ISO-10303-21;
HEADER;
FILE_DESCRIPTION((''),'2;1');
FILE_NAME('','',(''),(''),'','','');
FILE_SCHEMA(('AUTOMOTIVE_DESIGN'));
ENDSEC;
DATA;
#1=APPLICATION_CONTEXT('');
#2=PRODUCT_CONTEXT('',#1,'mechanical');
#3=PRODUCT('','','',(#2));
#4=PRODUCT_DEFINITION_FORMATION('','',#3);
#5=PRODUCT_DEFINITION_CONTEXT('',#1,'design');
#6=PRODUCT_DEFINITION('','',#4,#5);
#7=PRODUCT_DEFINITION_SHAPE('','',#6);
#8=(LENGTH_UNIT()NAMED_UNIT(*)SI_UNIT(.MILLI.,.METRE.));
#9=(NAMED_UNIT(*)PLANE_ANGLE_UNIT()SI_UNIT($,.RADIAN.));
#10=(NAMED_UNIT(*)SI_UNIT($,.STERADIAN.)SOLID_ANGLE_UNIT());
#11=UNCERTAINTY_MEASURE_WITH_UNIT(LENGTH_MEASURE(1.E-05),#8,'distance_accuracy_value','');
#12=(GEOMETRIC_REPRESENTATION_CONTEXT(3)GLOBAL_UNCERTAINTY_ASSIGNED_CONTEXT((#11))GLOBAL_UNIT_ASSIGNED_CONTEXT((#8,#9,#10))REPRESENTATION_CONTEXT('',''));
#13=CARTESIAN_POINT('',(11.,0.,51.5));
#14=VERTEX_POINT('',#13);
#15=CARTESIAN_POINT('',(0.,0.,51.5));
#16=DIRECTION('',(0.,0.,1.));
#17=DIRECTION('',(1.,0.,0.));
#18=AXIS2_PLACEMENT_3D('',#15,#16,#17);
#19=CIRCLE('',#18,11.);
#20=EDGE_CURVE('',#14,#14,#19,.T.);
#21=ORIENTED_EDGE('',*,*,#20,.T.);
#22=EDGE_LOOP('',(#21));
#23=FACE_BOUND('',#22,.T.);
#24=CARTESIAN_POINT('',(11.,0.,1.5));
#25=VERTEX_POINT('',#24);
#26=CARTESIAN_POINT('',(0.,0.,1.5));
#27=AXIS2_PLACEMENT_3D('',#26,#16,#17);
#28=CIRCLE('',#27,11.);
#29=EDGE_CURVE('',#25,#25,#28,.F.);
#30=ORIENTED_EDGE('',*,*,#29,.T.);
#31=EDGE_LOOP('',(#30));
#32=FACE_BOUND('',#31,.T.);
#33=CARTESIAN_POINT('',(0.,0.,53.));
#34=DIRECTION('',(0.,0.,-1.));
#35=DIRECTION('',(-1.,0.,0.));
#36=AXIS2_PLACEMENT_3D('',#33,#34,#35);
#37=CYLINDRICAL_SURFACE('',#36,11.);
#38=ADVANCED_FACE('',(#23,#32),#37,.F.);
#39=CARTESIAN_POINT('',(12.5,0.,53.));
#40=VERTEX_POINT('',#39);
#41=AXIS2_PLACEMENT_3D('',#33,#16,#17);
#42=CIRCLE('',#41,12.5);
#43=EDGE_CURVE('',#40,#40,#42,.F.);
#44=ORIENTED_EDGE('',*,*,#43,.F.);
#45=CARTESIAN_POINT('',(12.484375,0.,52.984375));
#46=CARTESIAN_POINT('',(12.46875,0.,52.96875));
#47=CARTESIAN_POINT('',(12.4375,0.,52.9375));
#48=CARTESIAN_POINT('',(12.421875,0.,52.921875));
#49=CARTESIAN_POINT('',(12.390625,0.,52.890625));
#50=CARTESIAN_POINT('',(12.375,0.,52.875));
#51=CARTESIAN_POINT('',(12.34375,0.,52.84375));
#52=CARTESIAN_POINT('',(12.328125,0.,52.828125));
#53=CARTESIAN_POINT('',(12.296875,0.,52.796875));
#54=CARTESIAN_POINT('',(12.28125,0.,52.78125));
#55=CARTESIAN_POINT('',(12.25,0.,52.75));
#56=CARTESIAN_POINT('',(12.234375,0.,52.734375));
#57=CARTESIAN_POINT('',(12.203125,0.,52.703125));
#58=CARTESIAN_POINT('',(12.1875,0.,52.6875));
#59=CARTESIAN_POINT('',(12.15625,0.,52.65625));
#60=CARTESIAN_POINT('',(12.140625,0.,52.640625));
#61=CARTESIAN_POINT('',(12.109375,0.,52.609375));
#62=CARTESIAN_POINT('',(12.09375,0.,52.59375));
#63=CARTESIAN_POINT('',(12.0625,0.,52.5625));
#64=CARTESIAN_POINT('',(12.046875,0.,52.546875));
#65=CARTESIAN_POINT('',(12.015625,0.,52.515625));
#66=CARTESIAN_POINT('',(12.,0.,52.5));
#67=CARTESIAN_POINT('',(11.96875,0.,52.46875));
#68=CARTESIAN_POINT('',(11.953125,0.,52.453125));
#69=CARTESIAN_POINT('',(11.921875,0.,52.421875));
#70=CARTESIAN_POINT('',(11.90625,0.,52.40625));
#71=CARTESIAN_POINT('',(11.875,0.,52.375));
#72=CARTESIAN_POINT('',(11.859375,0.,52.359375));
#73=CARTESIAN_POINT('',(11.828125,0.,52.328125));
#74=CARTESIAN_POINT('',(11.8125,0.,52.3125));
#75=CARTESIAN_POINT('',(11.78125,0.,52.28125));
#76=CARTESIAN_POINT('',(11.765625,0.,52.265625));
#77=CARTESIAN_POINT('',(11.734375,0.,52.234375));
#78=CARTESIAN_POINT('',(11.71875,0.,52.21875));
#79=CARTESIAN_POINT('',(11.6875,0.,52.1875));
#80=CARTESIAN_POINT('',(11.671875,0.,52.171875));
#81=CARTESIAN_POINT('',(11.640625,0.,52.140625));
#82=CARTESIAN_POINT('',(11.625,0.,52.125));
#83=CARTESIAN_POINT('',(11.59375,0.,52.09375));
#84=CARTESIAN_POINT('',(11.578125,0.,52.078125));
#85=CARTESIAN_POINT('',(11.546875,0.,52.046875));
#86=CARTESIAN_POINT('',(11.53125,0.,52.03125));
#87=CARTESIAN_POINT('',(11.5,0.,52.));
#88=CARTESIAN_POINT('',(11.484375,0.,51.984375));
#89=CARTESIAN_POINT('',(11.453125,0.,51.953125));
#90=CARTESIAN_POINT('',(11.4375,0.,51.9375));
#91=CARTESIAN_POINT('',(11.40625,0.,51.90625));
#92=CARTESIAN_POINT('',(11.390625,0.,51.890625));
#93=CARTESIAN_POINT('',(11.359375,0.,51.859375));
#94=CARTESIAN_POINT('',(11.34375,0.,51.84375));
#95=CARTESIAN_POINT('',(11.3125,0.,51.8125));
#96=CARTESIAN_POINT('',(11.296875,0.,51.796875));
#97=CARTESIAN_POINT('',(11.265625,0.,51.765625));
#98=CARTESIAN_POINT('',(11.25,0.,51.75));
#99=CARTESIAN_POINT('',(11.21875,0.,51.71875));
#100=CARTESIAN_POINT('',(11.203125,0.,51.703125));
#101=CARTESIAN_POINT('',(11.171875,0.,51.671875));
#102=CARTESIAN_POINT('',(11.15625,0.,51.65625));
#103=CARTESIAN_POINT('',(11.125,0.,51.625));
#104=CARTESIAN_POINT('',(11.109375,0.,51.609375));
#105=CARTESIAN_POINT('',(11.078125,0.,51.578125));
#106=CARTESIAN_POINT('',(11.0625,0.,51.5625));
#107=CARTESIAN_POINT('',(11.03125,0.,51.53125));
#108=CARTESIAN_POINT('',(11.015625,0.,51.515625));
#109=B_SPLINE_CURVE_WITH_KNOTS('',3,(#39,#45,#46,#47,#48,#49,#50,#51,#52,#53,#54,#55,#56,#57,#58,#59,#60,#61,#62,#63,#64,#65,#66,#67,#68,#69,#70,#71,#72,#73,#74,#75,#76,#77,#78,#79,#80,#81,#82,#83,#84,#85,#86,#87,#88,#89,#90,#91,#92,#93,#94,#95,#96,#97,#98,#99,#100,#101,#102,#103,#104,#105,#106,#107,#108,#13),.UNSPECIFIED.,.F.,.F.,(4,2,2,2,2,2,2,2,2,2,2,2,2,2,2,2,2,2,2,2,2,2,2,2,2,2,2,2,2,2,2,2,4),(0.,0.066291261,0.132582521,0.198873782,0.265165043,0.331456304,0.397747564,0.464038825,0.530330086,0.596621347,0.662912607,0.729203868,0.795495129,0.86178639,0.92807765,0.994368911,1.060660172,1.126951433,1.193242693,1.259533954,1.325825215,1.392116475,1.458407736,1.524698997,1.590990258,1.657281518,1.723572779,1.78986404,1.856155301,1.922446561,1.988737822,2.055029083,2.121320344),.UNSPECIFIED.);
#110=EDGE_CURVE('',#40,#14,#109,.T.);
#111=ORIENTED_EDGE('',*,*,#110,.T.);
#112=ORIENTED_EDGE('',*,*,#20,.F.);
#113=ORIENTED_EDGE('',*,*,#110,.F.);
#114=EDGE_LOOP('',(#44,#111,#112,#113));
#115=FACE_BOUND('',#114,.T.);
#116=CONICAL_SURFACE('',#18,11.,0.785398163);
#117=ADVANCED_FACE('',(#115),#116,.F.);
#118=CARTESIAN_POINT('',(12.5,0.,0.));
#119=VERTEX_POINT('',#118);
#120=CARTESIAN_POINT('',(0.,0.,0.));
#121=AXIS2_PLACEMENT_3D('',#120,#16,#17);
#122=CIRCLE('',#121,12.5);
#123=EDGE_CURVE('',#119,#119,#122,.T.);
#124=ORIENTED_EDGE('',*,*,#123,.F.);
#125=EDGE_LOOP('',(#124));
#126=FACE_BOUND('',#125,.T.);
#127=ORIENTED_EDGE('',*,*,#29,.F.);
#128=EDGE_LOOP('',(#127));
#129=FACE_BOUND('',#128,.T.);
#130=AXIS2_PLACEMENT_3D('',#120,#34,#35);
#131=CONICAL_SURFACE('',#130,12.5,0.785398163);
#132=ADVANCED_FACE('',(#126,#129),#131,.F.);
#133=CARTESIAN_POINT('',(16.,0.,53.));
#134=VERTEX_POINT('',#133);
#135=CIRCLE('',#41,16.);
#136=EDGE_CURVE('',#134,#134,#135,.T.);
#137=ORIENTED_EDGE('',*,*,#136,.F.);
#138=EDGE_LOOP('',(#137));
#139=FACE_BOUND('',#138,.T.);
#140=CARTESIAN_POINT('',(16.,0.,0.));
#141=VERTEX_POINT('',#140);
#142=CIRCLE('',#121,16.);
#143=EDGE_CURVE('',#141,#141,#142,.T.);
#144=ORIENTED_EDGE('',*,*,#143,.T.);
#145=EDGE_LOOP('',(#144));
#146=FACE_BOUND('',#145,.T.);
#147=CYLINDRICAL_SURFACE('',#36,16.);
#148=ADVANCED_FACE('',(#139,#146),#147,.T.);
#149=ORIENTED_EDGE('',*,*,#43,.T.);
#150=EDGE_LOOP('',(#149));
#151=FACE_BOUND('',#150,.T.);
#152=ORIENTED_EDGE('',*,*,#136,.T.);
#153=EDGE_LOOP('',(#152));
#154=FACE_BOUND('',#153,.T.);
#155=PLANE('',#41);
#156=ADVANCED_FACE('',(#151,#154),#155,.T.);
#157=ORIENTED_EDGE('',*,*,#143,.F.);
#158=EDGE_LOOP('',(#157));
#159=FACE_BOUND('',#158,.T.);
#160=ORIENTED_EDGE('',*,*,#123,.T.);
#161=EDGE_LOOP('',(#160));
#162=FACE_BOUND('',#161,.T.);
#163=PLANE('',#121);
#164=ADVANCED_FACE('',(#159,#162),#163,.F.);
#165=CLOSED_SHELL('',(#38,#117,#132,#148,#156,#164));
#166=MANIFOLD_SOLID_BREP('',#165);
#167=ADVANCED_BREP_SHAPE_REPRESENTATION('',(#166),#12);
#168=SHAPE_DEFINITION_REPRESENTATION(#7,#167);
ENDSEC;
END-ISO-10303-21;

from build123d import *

# Parameters (mm, degrees)
IZIM2_R                     = 16
IZIM2_R_2                   = 11
Y_KSEKLIK_EKSTR_ZYON1_DEPTH = 53
PAH2_SIZE                   = 1.5


with BuildPart() as part:
    # Çizim2 → Yükseklik-Ekstrüzyon1 (new body)
    with BuildSketch(Plane.XY):
        Circle(IZIM2_R)
        Circle(IZIM2_R_2, mode=Mode.SUBTRACT)
    extrude(amount=Y_KSEKLIK_EKSTR_ZYON1_DEPTH)

    # Pah2
    pah2_edges = [part.edges().sort_by_distance(p)[0] for p in [
        (-11, 0, 0),
        (-11, 0, 53),
    ]]
    chamfer(pah2_edges, length=PAH2_SIZE)


solid = part.part
